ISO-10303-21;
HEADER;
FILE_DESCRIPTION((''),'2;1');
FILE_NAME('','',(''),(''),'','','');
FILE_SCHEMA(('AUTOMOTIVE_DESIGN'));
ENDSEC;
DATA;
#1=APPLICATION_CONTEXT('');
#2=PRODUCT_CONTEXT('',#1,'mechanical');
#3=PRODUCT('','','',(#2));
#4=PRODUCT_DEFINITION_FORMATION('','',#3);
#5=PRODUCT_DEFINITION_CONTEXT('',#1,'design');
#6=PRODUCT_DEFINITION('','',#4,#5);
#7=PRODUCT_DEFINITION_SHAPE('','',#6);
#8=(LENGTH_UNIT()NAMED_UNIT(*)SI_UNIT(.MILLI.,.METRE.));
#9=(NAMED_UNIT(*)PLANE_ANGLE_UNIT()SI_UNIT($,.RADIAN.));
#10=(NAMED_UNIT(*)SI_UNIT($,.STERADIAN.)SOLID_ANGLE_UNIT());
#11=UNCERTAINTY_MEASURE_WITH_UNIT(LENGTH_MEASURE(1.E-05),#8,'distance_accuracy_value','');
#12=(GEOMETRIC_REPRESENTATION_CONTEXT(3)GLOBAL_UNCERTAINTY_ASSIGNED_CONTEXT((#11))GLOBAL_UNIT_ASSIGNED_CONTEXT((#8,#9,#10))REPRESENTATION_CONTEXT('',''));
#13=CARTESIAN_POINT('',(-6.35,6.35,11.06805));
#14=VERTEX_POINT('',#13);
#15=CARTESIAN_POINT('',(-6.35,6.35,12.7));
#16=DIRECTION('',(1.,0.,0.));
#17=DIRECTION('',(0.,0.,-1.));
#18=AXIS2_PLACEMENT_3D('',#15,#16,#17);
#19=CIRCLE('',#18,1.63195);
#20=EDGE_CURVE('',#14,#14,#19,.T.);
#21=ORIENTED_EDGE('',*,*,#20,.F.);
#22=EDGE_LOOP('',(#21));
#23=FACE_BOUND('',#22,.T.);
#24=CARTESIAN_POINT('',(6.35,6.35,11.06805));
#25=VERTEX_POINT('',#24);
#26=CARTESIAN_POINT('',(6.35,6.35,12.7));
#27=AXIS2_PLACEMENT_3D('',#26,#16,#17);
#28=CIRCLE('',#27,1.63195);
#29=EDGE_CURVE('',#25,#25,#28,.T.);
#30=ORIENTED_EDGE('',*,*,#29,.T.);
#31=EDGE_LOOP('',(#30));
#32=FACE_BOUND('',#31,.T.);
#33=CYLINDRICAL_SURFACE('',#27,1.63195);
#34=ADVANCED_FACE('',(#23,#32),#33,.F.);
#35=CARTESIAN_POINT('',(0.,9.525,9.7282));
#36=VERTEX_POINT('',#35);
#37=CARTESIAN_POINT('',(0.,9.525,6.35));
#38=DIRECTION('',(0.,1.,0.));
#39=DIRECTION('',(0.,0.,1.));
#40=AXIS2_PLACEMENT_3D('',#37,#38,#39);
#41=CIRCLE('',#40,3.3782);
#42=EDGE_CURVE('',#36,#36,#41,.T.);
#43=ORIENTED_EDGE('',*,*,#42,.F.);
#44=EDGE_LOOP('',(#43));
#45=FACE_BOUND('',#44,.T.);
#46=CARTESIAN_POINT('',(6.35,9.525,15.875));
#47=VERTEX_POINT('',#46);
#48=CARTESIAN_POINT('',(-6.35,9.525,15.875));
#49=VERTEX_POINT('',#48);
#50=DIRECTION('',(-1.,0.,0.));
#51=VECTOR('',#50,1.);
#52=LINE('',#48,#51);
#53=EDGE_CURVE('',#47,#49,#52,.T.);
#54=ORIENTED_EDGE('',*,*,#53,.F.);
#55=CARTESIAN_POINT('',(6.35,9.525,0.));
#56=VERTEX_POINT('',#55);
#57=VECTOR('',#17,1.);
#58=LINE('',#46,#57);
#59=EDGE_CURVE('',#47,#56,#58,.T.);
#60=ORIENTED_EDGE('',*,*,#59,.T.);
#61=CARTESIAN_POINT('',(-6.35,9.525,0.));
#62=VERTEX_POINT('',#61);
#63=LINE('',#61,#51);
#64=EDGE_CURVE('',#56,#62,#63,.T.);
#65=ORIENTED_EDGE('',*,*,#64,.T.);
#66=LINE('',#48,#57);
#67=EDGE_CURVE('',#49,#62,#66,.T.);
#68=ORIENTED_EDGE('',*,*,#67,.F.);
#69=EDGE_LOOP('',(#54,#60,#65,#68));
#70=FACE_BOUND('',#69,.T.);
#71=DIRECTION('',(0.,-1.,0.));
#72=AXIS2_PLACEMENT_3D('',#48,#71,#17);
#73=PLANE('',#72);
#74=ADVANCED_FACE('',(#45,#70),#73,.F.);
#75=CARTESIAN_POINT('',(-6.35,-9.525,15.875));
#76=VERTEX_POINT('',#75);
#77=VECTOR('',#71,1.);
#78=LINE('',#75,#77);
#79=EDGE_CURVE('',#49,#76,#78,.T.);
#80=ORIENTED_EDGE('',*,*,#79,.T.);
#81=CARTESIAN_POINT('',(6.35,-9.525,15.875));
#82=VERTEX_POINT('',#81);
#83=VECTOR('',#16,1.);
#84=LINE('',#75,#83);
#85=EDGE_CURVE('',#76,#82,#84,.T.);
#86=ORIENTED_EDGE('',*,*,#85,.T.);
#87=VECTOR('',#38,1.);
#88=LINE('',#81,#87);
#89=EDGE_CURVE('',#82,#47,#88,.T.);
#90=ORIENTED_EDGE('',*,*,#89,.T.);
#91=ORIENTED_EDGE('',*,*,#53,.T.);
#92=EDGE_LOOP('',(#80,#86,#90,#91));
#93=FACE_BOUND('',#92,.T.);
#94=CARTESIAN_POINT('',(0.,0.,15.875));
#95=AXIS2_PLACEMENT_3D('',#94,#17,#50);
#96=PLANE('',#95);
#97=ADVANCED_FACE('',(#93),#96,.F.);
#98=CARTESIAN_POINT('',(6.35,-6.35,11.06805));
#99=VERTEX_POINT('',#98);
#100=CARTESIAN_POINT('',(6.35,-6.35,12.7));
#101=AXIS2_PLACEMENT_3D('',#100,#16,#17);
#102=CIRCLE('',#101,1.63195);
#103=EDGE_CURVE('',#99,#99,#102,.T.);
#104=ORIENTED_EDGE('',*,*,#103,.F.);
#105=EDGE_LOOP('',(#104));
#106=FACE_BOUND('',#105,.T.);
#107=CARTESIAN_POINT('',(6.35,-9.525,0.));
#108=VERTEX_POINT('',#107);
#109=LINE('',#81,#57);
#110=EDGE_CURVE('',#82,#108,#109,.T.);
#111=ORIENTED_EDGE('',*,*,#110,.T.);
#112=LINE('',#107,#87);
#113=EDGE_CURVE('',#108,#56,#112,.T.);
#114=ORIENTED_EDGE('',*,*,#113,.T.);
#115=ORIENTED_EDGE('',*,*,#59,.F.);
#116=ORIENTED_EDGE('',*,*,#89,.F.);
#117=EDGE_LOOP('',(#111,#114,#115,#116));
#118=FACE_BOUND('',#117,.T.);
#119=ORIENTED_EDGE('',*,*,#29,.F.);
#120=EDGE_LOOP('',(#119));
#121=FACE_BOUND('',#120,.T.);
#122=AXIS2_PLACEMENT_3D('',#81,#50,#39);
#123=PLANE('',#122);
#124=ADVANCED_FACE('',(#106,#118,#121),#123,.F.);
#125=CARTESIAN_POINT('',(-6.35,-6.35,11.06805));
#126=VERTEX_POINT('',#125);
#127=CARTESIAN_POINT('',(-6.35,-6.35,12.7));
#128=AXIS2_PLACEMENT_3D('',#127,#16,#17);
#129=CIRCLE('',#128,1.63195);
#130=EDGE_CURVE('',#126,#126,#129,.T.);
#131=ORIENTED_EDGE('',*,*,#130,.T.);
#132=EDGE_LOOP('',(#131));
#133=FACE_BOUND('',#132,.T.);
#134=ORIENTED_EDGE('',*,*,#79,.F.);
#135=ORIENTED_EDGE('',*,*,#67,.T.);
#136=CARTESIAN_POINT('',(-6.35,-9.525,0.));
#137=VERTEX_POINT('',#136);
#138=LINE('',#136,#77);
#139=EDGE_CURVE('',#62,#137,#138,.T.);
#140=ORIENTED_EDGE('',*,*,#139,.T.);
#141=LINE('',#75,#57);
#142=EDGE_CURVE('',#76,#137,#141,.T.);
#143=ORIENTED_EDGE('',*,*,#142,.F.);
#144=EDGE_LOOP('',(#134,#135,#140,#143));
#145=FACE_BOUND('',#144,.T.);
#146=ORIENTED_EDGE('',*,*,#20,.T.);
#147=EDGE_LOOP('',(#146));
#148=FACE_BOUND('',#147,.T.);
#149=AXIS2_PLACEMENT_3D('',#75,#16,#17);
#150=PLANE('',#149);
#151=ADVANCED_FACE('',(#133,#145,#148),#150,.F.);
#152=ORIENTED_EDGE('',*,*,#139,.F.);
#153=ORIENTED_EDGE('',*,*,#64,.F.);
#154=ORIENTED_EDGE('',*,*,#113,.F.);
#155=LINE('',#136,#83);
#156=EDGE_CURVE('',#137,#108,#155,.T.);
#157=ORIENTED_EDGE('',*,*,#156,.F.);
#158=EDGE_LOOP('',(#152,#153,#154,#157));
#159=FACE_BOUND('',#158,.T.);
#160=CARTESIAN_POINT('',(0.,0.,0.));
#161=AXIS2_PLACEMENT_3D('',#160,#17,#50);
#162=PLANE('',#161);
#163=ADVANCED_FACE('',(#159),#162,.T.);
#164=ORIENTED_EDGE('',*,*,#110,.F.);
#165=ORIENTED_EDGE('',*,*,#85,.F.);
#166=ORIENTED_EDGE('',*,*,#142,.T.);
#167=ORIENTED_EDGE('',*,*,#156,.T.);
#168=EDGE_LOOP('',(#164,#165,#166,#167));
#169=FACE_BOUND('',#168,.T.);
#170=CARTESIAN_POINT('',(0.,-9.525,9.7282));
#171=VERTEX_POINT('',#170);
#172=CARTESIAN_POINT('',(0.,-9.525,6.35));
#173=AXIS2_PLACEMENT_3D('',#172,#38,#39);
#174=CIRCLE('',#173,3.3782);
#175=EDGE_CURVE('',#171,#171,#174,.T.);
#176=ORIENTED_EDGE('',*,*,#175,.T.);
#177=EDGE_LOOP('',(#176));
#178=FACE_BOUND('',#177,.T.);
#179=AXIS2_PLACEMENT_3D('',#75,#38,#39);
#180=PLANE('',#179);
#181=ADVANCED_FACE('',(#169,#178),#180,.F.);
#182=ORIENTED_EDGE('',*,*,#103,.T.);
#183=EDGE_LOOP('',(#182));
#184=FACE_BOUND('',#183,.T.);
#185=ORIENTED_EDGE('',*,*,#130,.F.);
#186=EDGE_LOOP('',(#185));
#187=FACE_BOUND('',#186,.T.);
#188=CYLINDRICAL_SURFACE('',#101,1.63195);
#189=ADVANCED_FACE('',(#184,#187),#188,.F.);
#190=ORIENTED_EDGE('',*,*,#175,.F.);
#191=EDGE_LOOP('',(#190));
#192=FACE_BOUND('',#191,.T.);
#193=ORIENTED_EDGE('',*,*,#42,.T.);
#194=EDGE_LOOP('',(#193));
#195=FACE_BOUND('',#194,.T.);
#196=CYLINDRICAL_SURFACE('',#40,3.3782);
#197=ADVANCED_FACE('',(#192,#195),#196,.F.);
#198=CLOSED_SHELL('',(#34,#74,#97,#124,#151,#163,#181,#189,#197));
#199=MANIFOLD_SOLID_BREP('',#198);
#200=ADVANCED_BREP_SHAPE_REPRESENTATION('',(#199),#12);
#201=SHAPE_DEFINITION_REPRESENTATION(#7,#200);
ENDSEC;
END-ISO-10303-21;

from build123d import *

# Parameters (mm, degrees)
SKETCH1_W               = 12.7
SKETCH1_H               = 19.05
BOSS_EXTRUDE1_DEPTH     = 15.875
F_1_4_CLEARANCE_HOLE1_D = 6.7564
F_4_CLEARANCE_HOLE1_D   = 3.2639


with BuildPart() as part:
    # Sketch1 → Boss-Extrude1 (new body)
    with BuildSketch(Plane.XY):
        Rectangle(SKETCH1_W, SKETCH1_H)
    extrude(amount=BOSS_EXTRUDE1_DEPTH)

    # 1/4 Clearance Hole1 (through all)
    with Locations(Plane(origin=(0, 9.525, 0), x_dir=(1, 0, 0), z_dir=(0, 1, 0))):
        with Locations((0, -6.35)):
            Hole(F_1_4_CLEARANCE_HOLE1_D / 2)

    # #4 Clearance Hole1 (through all)
    with Locations(Plane(origin=(6.35, 0, 0), x_dir=(0, 0, -1), z_dir=(1, 0, 0))):
        with Locations((-12.7, 6.35), (-12.7, -6.35)):
            Hole(F_4_CLEARANCE_HOLE1_D / 2)


solid = part.part
